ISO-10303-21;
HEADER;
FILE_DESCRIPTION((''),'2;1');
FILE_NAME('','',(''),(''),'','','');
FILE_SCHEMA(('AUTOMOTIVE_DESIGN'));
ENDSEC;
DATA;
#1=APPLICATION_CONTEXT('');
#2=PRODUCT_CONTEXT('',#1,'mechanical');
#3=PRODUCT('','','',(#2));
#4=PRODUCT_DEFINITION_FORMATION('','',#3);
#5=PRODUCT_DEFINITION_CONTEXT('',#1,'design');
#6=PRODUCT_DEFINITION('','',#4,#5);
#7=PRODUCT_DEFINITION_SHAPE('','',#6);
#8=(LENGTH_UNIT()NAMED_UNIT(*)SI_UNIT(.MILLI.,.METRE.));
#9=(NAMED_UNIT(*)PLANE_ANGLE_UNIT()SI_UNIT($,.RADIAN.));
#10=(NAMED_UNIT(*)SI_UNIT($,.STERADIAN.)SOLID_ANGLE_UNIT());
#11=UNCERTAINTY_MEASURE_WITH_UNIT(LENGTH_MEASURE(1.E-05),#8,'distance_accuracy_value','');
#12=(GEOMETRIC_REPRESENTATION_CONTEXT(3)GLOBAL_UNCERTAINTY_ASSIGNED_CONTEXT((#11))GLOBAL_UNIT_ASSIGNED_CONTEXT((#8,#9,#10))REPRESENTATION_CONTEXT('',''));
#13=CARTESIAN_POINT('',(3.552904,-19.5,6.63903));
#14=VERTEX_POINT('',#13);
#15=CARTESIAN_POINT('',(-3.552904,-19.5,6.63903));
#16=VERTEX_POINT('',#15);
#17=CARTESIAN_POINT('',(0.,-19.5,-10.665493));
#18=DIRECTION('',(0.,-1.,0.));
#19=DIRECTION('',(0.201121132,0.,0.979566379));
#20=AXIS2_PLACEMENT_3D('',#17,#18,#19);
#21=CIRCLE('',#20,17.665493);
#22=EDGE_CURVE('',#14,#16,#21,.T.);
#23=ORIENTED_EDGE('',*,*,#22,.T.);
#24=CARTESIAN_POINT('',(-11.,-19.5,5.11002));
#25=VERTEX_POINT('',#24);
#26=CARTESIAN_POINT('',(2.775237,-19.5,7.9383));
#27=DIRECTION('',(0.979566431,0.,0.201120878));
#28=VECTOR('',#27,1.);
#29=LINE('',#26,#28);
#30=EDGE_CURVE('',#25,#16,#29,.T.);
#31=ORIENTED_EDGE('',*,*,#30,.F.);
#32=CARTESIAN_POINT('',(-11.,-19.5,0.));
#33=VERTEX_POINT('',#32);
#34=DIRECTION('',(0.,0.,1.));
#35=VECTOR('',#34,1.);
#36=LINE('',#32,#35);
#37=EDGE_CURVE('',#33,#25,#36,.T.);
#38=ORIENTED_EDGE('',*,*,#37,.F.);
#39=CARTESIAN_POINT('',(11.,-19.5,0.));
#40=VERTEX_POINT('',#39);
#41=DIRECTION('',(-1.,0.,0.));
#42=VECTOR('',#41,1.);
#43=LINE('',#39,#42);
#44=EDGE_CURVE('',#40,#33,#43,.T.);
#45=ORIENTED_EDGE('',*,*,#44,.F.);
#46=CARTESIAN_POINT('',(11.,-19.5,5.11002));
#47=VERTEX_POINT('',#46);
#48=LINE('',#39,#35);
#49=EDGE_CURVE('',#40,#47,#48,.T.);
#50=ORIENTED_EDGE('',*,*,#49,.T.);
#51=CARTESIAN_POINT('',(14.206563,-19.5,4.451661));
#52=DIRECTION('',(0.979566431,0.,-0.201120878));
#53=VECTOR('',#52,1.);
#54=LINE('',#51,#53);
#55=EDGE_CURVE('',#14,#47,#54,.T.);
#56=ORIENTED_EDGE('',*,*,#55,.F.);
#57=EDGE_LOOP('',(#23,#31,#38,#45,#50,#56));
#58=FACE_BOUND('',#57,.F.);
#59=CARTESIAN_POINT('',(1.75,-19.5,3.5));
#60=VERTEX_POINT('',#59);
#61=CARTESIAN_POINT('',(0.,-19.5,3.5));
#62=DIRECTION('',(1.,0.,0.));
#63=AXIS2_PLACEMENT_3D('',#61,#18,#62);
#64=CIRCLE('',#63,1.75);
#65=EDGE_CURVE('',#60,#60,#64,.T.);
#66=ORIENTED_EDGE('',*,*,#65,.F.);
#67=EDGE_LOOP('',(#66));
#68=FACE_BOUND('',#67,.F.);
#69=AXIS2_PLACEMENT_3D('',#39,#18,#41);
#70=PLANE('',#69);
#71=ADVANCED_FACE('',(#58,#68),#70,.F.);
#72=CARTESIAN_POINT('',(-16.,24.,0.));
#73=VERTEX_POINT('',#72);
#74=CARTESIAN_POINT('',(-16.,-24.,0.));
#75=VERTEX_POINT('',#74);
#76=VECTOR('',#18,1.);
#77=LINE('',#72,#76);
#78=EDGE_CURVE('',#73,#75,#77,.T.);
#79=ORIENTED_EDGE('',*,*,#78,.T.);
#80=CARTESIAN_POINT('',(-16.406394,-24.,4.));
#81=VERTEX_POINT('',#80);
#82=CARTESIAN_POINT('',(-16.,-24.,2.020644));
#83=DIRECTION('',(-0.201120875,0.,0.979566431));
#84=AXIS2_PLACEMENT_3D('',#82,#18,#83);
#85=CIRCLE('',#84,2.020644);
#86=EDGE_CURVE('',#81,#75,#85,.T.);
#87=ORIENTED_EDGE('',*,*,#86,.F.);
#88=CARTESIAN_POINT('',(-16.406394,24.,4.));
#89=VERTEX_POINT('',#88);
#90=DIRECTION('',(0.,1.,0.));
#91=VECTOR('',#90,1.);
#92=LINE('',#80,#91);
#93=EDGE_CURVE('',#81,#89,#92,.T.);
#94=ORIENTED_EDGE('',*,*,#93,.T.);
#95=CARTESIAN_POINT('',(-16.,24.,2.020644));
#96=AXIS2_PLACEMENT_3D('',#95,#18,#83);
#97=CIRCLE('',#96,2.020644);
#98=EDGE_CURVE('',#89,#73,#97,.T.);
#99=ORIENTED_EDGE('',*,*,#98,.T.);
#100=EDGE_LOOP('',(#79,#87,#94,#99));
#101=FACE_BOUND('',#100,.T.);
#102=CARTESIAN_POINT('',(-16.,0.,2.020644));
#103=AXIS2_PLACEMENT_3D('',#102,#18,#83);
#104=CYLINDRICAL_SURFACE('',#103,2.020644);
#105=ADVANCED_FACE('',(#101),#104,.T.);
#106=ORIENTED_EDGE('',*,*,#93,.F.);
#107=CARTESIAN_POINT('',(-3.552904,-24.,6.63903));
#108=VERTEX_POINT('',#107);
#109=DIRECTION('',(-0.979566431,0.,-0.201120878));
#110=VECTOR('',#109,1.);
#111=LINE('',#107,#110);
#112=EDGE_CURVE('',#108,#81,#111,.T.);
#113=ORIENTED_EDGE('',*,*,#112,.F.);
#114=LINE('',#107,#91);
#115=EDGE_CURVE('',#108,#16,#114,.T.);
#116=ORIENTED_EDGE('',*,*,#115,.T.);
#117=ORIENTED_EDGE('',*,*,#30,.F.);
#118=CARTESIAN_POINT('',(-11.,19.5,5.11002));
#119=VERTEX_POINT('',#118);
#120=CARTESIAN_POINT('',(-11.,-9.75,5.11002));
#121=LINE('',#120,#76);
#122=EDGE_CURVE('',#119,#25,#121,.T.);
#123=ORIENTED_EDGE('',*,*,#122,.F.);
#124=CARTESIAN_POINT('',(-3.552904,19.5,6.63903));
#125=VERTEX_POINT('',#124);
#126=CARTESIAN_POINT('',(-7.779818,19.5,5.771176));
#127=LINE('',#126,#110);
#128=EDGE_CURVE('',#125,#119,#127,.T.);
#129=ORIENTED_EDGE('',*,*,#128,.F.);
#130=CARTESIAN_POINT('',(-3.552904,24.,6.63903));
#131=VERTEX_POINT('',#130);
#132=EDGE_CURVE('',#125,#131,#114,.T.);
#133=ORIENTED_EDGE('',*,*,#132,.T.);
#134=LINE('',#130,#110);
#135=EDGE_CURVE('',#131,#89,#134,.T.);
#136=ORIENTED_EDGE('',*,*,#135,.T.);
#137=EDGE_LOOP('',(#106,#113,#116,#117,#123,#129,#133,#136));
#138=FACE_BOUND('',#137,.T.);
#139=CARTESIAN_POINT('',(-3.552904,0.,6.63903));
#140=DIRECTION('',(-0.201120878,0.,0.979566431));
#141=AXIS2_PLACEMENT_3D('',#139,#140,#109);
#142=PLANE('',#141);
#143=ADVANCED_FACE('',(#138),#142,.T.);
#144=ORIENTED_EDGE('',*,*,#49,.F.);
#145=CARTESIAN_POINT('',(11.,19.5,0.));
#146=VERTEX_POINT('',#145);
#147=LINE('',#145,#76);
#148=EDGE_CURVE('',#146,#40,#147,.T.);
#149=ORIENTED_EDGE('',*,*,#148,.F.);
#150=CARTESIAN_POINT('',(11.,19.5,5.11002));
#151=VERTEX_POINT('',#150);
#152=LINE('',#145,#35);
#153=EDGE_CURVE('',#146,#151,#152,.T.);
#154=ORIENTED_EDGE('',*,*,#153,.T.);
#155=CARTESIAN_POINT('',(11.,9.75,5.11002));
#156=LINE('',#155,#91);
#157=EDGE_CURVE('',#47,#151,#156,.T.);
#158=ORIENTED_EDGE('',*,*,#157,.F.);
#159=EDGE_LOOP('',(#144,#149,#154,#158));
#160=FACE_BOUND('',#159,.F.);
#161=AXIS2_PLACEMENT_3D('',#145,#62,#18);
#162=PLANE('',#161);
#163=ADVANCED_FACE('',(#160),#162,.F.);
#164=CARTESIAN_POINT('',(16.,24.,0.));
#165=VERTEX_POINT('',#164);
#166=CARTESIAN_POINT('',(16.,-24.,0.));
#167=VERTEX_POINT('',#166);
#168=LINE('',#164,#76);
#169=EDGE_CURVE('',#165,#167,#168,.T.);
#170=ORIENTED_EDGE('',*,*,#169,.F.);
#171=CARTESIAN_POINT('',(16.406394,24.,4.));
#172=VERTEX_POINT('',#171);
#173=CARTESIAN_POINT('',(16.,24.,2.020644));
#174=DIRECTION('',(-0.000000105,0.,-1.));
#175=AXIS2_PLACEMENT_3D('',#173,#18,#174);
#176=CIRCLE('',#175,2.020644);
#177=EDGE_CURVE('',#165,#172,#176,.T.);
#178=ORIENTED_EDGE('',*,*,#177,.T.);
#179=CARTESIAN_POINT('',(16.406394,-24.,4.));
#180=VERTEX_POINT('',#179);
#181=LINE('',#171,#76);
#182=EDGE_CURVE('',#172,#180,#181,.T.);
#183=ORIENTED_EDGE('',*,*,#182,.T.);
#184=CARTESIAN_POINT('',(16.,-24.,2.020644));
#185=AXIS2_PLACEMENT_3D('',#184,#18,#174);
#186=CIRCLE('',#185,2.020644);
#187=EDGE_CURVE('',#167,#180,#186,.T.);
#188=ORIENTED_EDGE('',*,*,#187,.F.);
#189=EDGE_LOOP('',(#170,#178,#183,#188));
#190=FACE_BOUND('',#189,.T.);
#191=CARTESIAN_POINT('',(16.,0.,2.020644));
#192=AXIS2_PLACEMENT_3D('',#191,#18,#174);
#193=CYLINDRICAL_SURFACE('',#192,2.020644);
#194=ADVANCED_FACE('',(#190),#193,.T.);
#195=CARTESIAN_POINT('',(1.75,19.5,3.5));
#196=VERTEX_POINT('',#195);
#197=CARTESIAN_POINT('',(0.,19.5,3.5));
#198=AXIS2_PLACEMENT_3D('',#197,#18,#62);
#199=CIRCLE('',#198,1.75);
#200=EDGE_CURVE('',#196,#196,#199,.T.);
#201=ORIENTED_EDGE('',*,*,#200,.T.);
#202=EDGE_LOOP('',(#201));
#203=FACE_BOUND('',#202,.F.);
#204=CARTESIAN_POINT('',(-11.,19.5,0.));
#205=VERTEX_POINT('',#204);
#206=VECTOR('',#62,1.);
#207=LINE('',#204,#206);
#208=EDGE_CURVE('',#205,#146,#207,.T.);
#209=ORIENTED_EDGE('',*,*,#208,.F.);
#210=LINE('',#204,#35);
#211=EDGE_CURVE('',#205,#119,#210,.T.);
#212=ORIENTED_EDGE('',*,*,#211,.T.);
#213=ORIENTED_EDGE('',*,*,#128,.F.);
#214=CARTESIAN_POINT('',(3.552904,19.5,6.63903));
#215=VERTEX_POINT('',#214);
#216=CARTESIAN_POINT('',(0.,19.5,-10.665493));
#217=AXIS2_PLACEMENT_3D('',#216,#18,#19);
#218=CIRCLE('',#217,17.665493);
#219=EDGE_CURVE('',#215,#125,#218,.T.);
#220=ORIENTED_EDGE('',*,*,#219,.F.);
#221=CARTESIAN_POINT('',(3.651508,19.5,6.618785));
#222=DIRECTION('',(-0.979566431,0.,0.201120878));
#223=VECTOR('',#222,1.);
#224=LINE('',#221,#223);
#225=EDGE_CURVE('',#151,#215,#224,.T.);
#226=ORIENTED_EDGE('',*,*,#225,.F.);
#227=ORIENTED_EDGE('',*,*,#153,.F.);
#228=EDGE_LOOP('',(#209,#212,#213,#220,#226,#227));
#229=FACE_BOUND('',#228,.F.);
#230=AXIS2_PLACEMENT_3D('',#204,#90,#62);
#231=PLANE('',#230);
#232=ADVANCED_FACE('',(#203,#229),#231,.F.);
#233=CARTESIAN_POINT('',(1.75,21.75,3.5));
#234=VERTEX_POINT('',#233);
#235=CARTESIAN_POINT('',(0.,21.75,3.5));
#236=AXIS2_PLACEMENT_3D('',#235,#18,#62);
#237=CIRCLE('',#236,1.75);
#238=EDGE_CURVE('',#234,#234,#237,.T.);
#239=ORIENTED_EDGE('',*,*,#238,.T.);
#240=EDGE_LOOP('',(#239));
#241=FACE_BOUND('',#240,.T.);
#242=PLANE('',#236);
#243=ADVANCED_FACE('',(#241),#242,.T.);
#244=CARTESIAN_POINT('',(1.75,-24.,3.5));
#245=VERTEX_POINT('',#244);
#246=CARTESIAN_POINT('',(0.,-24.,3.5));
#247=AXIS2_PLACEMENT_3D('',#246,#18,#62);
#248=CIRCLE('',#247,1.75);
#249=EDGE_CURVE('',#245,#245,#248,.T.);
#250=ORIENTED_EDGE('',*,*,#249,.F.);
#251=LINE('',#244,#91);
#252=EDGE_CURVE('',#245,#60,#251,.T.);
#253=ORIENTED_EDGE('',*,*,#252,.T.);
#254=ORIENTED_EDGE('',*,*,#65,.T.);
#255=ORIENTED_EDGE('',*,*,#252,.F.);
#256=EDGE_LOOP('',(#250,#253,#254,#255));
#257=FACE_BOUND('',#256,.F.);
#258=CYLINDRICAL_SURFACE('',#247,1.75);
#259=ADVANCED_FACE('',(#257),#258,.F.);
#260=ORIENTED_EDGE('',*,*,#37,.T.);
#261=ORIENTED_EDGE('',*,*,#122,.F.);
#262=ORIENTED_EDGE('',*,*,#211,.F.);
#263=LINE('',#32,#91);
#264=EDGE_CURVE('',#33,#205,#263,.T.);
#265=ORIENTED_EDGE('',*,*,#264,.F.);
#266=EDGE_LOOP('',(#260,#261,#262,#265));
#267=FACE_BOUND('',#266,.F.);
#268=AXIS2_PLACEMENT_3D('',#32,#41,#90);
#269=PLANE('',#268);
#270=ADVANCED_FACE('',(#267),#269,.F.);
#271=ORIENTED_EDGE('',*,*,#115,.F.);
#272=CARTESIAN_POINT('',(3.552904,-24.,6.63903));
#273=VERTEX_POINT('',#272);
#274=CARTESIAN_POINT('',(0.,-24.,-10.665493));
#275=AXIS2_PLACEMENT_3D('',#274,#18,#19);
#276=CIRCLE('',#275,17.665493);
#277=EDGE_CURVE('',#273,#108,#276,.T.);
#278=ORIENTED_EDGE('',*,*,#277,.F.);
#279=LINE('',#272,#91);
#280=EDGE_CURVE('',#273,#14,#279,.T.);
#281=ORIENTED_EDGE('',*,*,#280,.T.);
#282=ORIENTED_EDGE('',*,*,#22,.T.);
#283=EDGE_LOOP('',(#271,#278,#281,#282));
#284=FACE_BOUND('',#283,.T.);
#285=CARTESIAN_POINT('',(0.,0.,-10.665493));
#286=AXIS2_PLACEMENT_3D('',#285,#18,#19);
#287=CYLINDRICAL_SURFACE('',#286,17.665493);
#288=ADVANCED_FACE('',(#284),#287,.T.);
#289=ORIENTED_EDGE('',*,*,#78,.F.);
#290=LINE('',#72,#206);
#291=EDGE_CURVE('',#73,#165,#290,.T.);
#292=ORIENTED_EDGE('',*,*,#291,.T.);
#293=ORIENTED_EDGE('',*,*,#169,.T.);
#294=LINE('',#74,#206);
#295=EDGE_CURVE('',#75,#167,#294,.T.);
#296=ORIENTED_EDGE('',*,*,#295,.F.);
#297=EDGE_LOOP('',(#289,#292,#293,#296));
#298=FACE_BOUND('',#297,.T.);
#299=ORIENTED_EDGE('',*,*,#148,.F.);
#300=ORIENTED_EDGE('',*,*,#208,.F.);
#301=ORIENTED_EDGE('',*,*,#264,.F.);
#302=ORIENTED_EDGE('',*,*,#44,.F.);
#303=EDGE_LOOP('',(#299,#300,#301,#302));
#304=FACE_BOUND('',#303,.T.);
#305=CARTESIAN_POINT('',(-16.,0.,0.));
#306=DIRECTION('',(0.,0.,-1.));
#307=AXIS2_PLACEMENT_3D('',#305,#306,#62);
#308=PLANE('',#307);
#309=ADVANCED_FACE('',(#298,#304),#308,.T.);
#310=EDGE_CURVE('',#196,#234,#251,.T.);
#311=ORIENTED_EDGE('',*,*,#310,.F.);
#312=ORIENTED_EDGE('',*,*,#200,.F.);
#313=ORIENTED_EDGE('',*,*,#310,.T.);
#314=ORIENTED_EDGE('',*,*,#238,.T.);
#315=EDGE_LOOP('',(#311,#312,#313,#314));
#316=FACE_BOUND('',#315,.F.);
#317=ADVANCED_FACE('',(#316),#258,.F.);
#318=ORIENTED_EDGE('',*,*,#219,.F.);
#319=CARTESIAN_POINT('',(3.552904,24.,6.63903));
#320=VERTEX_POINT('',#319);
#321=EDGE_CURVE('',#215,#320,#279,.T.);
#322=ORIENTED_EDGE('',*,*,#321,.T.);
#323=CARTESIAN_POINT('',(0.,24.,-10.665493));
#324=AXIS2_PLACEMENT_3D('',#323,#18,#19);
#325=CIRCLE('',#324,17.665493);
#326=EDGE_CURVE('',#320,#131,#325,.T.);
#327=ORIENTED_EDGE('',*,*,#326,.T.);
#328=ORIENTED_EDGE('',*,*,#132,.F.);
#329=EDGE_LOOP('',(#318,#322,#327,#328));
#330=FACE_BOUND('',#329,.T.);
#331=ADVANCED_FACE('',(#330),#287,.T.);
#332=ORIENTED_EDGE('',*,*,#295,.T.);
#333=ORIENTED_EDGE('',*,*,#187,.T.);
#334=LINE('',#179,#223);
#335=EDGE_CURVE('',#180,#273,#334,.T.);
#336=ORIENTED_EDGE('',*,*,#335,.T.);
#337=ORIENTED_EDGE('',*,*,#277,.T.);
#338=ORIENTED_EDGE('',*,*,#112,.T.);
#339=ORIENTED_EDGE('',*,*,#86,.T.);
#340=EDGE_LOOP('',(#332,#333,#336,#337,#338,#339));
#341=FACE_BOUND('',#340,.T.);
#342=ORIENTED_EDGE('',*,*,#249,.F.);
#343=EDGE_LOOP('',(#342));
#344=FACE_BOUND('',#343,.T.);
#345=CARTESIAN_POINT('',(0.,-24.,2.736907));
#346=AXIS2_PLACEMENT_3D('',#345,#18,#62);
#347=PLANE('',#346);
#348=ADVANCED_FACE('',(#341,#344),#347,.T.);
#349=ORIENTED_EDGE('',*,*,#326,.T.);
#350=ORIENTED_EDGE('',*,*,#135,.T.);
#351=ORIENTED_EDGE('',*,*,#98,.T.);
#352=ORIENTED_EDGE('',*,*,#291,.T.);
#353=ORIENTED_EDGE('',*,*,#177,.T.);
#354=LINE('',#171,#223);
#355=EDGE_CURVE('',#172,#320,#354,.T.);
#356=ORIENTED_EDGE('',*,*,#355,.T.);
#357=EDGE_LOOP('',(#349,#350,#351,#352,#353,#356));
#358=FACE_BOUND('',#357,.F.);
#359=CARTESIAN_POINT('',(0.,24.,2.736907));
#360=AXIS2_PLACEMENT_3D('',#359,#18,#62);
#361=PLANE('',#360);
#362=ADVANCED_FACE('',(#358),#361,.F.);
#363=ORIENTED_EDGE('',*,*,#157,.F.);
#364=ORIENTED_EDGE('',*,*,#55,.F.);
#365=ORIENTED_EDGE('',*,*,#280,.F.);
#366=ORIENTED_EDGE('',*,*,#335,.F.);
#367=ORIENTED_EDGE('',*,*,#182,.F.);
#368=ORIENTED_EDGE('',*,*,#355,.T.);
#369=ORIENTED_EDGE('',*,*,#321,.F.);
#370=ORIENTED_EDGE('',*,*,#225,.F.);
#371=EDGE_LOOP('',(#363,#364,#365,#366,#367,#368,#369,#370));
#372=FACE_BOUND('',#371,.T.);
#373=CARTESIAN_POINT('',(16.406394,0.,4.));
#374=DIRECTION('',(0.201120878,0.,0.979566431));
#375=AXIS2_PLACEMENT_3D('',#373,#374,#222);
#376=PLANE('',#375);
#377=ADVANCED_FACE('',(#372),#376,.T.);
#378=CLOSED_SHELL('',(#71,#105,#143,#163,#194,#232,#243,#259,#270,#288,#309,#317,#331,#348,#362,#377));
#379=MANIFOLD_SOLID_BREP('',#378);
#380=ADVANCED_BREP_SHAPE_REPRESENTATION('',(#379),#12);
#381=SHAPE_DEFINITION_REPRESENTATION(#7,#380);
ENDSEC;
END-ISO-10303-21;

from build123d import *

# Parameters (mm, degrees)
F1_DEPTH = 24
F3_DEPTH = 7.001
F4_R     = 1.75
F5_DEPTH = 45.75


with BuildPart() as f1:
    # F0 (on Front) → F1 (new body, symmetric)
    with BuildSketch(Plane.XZ):
        with BuildLine():
            ThreePointArc((-16.406394, 4), (-18.010296, 1.816402), (-16, 0))
            Line((-16, 0), (16, 0))
            ThreePointArc((16, 0), (18.010296, 1.816402), (16.406394, 4))
            Line((16.406394, 4), (3.552904, 6.63903))
            ThreePointArc((3.552904, 6.63903), (0, 7), (-3.552904, 6.63903))
            Line((-3.552904, 6.63903), (-16.406394, 4))
        make_face()
    extrude(amount=F1_DEPTH, both=True)

    # F2 (on face) → F3 (cut, through all)
    with BuildSketch(Plane(origin=(0, 0, 0), x_dir=(1, 0, 0), z_dir=(0, 0, -1))):
        Polygon((-11, 19.5), (-11, -19.5), (-4, -19.5), (4, -19.5), (11, -19.5), (11, 19.5), (4, 19.5), (-4, 19.5), align=None)
    extrude(amount=-F3_DEPTH, mode=Mode.SUBTRACT)

    # F4 (on face) → F5 (cut, through all)
    with BuildSketch(Plane.XZ.offset(24)):
        with Locations((0, 3.5)):
            Circle(F4_R)
    extrude(amount=-F5_DEPTH, mode=Mode.SUBTRACT)


solid = f1.part
